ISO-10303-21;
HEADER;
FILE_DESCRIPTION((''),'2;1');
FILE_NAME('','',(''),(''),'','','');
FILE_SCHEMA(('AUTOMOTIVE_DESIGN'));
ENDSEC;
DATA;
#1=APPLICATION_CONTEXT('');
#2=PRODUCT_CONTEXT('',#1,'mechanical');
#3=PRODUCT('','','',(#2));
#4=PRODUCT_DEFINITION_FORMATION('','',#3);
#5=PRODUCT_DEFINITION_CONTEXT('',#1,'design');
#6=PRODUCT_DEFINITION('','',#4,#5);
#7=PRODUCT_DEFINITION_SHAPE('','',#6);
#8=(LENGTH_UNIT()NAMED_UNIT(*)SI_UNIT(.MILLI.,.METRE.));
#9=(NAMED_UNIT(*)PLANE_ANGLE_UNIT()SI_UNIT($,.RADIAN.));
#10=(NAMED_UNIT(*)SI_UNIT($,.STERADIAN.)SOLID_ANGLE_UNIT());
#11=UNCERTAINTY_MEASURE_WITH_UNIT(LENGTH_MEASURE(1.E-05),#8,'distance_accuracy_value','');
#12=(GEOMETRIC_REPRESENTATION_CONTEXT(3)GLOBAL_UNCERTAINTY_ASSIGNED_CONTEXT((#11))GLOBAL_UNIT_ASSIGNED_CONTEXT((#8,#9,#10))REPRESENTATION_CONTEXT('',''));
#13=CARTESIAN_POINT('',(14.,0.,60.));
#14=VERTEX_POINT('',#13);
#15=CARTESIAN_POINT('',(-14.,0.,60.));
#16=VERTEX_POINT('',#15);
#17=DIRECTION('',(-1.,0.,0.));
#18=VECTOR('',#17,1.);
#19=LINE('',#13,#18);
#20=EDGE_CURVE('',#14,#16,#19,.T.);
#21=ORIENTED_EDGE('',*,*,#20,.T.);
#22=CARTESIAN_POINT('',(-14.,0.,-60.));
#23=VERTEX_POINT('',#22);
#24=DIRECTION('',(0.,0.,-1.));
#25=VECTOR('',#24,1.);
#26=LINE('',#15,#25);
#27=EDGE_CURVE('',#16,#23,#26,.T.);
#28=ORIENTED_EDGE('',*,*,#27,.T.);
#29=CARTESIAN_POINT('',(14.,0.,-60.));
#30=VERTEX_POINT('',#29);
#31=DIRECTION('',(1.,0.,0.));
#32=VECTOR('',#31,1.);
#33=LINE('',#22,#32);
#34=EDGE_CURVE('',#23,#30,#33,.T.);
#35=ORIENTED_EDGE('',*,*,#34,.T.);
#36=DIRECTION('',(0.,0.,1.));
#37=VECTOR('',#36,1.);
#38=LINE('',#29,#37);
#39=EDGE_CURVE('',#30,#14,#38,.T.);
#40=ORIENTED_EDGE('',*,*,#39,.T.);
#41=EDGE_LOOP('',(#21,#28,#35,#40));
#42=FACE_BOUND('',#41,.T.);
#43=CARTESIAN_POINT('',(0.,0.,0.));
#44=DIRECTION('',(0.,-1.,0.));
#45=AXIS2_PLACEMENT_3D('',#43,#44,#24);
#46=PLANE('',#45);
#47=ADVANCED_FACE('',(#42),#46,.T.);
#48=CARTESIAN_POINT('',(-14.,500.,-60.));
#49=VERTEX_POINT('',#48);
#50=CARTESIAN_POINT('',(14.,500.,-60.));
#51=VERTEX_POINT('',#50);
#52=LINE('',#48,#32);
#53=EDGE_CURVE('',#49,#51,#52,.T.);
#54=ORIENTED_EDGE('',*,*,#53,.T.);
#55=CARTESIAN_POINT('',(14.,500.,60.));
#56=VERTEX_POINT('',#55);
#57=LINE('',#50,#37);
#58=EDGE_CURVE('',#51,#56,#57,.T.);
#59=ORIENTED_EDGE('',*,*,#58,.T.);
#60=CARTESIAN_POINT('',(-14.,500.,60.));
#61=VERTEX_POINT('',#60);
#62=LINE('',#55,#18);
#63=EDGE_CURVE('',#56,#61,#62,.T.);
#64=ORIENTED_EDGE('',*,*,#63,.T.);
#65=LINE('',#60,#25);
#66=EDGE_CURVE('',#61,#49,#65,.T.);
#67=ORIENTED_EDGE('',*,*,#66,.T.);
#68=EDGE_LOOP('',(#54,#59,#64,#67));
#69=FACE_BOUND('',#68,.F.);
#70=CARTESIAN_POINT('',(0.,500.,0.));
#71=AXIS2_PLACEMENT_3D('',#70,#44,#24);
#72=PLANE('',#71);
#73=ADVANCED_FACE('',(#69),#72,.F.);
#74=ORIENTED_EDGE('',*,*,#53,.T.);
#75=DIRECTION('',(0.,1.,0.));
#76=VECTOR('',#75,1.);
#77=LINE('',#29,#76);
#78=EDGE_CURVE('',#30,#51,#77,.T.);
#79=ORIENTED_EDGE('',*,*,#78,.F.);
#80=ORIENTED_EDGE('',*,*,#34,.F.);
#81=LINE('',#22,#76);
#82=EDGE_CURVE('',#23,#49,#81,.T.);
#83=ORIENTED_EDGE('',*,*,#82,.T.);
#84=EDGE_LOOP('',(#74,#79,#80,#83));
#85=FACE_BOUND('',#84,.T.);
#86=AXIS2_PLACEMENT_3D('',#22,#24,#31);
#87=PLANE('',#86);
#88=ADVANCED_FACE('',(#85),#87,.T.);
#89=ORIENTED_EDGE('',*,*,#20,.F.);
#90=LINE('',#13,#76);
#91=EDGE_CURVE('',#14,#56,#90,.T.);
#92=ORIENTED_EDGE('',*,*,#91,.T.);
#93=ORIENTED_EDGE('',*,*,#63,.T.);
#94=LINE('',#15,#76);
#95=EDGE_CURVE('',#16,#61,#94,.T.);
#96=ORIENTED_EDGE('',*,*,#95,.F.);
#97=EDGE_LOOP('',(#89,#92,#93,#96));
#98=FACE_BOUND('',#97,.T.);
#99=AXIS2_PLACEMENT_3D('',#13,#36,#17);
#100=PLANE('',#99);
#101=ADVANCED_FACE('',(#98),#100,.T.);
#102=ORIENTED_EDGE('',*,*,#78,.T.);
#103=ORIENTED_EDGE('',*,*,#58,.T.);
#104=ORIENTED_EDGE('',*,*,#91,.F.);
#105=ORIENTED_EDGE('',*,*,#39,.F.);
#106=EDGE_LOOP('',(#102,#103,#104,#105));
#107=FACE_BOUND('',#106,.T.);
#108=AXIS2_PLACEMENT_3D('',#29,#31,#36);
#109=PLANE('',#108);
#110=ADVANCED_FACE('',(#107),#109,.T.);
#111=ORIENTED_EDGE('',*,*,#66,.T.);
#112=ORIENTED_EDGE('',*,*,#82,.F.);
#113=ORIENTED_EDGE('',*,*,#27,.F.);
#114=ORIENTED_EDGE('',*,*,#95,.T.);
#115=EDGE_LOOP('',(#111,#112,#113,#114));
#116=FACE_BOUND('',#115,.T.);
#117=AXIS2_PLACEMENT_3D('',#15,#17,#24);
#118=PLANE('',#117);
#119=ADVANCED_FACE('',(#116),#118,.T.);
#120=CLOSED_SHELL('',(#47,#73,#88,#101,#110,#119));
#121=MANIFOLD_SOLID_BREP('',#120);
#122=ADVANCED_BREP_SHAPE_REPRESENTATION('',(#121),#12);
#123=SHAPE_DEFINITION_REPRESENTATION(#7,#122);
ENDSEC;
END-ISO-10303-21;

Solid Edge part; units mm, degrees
sketch "Sketch1" plane through (0, 0, 0) normal (0, -1, 0) x (1, 0, 0)
  line L0 (-14, -60) -> (14, -60)
  line L1 (14, -60) -> (14, 60)
  line L2 (14, 60) -> (-14, 60)
  line L3 (-14, 60) -> (-14, -60)
extrude "Protrusion1" add sketch "Sketch1" against normal blind 500
properties material "Wood, Pine"
